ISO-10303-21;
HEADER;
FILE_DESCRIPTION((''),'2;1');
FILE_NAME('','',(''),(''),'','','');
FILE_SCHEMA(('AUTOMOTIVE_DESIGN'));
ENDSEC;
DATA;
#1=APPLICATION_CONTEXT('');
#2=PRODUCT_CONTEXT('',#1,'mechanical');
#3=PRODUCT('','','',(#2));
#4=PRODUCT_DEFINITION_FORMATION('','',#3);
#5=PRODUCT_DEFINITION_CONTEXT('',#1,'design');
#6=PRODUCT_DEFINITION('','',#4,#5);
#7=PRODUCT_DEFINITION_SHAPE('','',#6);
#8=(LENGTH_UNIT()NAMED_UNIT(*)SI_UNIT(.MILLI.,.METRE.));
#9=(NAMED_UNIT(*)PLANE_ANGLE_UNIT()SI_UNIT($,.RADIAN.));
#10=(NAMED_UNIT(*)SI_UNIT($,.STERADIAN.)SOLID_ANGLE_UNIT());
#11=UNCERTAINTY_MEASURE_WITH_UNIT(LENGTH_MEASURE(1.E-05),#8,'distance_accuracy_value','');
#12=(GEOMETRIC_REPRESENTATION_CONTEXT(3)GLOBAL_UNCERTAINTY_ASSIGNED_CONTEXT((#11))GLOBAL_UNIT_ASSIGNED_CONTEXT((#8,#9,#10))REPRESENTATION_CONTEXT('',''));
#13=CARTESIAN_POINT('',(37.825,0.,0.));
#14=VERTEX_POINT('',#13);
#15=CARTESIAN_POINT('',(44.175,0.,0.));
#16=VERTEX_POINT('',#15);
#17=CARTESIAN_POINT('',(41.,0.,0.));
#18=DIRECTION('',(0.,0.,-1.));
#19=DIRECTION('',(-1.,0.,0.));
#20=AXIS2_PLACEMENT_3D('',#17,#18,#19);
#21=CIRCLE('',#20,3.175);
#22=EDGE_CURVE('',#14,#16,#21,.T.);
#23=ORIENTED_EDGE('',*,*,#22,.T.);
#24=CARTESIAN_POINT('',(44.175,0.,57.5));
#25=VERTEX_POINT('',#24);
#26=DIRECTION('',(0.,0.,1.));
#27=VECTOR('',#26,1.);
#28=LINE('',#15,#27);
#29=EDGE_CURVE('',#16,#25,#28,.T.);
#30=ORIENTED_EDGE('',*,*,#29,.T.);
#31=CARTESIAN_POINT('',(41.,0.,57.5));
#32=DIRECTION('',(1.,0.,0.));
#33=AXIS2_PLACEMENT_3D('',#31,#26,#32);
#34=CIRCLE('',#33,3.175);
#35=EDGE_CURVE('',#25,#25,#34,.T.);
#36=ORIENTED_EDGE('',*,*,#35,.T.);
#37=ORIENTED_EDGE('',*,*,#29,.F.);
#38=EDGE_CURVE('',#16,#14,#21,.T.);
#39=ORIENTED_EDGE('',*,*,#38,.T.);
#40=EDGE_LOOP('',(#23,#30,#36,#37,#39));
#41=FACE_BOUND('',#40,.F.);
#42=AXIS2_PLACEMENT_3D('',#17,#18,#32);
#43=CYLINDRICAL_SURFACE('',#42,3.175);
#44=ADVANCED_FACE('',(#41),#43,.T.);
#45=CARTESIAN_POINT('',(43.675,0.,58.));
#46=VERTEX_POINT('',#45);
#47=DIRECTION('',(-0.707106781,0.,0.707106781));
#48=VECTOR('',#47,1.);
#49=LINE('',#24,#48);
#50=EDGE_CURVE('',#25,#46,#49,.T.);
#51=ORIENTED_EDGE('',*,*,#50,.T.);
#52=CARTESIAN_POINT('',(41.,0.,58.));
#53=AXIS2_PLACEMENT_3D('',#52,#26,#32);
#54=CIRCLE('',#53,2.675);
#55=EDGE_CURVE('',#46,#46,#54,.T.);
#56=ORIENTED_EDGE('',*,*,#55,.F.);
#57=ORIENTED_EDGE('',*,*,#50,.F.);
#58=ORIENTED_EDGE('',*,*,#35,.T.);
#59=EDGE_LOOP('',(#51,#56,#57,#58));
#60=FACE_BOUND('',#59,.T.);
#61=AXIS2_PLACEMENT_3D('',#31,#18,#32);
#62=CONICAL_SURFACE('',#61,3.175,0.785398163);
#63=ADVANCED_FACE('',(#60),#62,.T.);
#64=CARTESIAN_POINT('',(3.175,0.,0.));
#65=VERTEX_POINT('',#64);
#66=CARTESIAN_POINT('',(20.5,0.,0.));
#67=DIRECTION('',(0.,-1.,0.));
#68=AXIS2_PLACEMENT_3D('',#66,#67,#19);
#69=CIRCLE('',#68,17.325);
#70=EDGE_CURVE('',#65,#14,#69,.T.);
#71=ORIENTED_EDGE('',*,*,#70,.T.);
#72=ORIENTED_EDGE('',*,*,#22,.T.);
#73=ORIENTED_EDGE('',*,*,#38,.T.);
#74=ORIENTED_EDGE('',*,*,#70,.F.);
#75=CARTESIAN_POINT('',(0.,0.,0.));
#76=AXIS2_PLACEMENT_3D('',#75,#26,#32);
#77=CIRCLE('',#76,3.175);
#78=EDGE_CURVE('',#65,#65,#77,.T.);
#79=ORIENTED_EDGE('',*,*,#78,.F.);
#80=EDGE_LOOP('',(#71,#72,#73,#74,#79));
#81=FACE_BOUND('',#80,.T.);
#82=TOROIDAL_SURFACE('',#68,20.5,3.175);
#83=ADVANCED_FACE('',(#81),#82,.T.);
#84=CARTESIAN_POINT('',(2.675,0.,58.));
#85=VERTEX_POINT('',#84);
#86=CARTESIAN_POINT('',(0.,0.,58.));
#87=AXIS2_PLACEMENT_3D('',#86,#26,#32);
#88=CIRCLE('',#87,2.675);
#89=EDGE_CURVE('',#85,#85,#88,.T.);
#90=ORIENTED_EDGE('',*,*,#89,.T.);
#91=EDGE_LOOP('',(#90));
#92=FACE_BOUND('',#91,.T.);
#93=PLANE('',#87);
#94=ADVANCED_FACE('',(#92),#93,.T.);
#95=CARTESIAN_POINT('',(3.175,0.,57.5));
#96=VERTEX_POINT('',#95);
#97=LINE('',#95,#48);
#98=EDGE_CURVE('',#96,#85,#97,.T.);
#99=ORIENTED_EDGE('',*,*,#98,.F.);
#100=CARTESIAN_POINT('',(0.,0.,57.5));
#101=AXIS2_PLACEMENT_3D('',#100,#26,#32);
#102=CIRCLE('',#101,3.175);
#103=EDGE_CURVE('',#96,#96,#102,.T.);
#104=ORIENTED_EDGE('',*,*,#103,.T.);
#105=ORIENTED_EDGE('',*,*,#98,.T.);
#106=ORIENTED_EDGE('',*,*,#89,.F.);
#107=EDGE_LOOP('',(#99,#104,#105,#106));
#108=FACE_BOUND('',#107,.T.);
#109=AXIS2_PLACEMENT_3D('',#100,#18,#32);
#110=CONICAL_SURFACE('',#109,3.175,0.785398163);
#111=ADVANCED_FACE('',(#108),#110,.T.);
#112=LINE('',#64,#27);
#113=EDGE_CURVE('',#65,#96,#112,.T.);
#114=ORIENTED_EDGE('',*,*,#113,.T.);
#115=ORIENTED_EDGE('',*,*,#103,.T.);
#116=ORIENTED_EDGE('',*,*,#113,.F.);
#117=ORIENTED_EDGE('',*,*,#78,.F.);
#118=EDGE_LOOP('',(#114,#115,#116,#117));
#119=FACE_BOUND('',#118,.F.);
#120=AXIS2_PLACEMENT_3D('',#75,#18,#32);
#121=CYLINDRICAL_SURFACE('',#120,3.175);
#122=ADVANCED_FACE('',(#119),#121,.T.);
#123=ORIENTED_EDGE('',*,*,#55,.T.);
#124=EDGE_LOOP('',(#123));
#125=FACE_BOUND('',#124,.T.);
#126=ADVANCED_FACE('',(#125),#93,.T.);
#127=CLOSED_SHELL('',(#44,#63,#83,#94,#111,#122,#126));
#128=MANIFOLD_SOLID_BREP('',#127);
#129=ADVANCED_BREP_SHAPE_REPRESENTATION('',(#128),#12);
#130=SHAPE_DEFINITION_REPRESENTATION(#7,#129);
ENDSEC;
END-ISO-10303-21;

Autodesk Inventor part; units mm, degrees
ref_plane "YZ Plane" through (0, 0, 0) normal (1, 0, 0) x (0, 1, 0)
ref_plane "XZ Plane" through (0, 0, 0) normal (0, 1, 0) x (-1, 0, 0)
ref_plane "XY Plane" through (0, 0, 0) normal (0, 0, 1) x (1, 0, 0)
sketch "Esboço1" plane through (0, 0, 0) normal (0, 0, 1) x (1, 0, 0)
  circle A0 centre (0, 0) radius 3.175
  line L0 (20.5, 0) -> (20.5, 7.6069)
  dimension "d1" = 6.35
revolve "Revolução1" add sketch "Esboço1" angle 180 about axis through (20.5, 0, 0) along (0, -1, 0)
sketch "Esboço2" plane through (0, 0, 0) normal (0, 0, 1) x (1, 0, 0)
  circle A0 centre (0, 0) radius 3.175
  circle A1 centre (41, 0) radius 3.175 projected
  circle A2 centre (41, 0) radius 3.175
extrude "Extrusão1" add sketch "Esboço2" along normal blind 58
thread "Rosca1" size "1/4-20 UNC" class "2A" standard "ANSI Unified Screw Threads" length 50 offset 8
thread "Rosca2" size "1/4-20 UNC" class "2A" standard "ANSI Unified Screw Threads" length 50
chamfer "Chanfro1" distance 0.5 angle 45 2 edges at (-3.175, 0, 58) (37.825, 0, 58)
properties part number "0070.1 - Abraçadeira U Vergalhão bitola 1 polegada 80mm rosca 1 quarto" material "Aço, carbono"
